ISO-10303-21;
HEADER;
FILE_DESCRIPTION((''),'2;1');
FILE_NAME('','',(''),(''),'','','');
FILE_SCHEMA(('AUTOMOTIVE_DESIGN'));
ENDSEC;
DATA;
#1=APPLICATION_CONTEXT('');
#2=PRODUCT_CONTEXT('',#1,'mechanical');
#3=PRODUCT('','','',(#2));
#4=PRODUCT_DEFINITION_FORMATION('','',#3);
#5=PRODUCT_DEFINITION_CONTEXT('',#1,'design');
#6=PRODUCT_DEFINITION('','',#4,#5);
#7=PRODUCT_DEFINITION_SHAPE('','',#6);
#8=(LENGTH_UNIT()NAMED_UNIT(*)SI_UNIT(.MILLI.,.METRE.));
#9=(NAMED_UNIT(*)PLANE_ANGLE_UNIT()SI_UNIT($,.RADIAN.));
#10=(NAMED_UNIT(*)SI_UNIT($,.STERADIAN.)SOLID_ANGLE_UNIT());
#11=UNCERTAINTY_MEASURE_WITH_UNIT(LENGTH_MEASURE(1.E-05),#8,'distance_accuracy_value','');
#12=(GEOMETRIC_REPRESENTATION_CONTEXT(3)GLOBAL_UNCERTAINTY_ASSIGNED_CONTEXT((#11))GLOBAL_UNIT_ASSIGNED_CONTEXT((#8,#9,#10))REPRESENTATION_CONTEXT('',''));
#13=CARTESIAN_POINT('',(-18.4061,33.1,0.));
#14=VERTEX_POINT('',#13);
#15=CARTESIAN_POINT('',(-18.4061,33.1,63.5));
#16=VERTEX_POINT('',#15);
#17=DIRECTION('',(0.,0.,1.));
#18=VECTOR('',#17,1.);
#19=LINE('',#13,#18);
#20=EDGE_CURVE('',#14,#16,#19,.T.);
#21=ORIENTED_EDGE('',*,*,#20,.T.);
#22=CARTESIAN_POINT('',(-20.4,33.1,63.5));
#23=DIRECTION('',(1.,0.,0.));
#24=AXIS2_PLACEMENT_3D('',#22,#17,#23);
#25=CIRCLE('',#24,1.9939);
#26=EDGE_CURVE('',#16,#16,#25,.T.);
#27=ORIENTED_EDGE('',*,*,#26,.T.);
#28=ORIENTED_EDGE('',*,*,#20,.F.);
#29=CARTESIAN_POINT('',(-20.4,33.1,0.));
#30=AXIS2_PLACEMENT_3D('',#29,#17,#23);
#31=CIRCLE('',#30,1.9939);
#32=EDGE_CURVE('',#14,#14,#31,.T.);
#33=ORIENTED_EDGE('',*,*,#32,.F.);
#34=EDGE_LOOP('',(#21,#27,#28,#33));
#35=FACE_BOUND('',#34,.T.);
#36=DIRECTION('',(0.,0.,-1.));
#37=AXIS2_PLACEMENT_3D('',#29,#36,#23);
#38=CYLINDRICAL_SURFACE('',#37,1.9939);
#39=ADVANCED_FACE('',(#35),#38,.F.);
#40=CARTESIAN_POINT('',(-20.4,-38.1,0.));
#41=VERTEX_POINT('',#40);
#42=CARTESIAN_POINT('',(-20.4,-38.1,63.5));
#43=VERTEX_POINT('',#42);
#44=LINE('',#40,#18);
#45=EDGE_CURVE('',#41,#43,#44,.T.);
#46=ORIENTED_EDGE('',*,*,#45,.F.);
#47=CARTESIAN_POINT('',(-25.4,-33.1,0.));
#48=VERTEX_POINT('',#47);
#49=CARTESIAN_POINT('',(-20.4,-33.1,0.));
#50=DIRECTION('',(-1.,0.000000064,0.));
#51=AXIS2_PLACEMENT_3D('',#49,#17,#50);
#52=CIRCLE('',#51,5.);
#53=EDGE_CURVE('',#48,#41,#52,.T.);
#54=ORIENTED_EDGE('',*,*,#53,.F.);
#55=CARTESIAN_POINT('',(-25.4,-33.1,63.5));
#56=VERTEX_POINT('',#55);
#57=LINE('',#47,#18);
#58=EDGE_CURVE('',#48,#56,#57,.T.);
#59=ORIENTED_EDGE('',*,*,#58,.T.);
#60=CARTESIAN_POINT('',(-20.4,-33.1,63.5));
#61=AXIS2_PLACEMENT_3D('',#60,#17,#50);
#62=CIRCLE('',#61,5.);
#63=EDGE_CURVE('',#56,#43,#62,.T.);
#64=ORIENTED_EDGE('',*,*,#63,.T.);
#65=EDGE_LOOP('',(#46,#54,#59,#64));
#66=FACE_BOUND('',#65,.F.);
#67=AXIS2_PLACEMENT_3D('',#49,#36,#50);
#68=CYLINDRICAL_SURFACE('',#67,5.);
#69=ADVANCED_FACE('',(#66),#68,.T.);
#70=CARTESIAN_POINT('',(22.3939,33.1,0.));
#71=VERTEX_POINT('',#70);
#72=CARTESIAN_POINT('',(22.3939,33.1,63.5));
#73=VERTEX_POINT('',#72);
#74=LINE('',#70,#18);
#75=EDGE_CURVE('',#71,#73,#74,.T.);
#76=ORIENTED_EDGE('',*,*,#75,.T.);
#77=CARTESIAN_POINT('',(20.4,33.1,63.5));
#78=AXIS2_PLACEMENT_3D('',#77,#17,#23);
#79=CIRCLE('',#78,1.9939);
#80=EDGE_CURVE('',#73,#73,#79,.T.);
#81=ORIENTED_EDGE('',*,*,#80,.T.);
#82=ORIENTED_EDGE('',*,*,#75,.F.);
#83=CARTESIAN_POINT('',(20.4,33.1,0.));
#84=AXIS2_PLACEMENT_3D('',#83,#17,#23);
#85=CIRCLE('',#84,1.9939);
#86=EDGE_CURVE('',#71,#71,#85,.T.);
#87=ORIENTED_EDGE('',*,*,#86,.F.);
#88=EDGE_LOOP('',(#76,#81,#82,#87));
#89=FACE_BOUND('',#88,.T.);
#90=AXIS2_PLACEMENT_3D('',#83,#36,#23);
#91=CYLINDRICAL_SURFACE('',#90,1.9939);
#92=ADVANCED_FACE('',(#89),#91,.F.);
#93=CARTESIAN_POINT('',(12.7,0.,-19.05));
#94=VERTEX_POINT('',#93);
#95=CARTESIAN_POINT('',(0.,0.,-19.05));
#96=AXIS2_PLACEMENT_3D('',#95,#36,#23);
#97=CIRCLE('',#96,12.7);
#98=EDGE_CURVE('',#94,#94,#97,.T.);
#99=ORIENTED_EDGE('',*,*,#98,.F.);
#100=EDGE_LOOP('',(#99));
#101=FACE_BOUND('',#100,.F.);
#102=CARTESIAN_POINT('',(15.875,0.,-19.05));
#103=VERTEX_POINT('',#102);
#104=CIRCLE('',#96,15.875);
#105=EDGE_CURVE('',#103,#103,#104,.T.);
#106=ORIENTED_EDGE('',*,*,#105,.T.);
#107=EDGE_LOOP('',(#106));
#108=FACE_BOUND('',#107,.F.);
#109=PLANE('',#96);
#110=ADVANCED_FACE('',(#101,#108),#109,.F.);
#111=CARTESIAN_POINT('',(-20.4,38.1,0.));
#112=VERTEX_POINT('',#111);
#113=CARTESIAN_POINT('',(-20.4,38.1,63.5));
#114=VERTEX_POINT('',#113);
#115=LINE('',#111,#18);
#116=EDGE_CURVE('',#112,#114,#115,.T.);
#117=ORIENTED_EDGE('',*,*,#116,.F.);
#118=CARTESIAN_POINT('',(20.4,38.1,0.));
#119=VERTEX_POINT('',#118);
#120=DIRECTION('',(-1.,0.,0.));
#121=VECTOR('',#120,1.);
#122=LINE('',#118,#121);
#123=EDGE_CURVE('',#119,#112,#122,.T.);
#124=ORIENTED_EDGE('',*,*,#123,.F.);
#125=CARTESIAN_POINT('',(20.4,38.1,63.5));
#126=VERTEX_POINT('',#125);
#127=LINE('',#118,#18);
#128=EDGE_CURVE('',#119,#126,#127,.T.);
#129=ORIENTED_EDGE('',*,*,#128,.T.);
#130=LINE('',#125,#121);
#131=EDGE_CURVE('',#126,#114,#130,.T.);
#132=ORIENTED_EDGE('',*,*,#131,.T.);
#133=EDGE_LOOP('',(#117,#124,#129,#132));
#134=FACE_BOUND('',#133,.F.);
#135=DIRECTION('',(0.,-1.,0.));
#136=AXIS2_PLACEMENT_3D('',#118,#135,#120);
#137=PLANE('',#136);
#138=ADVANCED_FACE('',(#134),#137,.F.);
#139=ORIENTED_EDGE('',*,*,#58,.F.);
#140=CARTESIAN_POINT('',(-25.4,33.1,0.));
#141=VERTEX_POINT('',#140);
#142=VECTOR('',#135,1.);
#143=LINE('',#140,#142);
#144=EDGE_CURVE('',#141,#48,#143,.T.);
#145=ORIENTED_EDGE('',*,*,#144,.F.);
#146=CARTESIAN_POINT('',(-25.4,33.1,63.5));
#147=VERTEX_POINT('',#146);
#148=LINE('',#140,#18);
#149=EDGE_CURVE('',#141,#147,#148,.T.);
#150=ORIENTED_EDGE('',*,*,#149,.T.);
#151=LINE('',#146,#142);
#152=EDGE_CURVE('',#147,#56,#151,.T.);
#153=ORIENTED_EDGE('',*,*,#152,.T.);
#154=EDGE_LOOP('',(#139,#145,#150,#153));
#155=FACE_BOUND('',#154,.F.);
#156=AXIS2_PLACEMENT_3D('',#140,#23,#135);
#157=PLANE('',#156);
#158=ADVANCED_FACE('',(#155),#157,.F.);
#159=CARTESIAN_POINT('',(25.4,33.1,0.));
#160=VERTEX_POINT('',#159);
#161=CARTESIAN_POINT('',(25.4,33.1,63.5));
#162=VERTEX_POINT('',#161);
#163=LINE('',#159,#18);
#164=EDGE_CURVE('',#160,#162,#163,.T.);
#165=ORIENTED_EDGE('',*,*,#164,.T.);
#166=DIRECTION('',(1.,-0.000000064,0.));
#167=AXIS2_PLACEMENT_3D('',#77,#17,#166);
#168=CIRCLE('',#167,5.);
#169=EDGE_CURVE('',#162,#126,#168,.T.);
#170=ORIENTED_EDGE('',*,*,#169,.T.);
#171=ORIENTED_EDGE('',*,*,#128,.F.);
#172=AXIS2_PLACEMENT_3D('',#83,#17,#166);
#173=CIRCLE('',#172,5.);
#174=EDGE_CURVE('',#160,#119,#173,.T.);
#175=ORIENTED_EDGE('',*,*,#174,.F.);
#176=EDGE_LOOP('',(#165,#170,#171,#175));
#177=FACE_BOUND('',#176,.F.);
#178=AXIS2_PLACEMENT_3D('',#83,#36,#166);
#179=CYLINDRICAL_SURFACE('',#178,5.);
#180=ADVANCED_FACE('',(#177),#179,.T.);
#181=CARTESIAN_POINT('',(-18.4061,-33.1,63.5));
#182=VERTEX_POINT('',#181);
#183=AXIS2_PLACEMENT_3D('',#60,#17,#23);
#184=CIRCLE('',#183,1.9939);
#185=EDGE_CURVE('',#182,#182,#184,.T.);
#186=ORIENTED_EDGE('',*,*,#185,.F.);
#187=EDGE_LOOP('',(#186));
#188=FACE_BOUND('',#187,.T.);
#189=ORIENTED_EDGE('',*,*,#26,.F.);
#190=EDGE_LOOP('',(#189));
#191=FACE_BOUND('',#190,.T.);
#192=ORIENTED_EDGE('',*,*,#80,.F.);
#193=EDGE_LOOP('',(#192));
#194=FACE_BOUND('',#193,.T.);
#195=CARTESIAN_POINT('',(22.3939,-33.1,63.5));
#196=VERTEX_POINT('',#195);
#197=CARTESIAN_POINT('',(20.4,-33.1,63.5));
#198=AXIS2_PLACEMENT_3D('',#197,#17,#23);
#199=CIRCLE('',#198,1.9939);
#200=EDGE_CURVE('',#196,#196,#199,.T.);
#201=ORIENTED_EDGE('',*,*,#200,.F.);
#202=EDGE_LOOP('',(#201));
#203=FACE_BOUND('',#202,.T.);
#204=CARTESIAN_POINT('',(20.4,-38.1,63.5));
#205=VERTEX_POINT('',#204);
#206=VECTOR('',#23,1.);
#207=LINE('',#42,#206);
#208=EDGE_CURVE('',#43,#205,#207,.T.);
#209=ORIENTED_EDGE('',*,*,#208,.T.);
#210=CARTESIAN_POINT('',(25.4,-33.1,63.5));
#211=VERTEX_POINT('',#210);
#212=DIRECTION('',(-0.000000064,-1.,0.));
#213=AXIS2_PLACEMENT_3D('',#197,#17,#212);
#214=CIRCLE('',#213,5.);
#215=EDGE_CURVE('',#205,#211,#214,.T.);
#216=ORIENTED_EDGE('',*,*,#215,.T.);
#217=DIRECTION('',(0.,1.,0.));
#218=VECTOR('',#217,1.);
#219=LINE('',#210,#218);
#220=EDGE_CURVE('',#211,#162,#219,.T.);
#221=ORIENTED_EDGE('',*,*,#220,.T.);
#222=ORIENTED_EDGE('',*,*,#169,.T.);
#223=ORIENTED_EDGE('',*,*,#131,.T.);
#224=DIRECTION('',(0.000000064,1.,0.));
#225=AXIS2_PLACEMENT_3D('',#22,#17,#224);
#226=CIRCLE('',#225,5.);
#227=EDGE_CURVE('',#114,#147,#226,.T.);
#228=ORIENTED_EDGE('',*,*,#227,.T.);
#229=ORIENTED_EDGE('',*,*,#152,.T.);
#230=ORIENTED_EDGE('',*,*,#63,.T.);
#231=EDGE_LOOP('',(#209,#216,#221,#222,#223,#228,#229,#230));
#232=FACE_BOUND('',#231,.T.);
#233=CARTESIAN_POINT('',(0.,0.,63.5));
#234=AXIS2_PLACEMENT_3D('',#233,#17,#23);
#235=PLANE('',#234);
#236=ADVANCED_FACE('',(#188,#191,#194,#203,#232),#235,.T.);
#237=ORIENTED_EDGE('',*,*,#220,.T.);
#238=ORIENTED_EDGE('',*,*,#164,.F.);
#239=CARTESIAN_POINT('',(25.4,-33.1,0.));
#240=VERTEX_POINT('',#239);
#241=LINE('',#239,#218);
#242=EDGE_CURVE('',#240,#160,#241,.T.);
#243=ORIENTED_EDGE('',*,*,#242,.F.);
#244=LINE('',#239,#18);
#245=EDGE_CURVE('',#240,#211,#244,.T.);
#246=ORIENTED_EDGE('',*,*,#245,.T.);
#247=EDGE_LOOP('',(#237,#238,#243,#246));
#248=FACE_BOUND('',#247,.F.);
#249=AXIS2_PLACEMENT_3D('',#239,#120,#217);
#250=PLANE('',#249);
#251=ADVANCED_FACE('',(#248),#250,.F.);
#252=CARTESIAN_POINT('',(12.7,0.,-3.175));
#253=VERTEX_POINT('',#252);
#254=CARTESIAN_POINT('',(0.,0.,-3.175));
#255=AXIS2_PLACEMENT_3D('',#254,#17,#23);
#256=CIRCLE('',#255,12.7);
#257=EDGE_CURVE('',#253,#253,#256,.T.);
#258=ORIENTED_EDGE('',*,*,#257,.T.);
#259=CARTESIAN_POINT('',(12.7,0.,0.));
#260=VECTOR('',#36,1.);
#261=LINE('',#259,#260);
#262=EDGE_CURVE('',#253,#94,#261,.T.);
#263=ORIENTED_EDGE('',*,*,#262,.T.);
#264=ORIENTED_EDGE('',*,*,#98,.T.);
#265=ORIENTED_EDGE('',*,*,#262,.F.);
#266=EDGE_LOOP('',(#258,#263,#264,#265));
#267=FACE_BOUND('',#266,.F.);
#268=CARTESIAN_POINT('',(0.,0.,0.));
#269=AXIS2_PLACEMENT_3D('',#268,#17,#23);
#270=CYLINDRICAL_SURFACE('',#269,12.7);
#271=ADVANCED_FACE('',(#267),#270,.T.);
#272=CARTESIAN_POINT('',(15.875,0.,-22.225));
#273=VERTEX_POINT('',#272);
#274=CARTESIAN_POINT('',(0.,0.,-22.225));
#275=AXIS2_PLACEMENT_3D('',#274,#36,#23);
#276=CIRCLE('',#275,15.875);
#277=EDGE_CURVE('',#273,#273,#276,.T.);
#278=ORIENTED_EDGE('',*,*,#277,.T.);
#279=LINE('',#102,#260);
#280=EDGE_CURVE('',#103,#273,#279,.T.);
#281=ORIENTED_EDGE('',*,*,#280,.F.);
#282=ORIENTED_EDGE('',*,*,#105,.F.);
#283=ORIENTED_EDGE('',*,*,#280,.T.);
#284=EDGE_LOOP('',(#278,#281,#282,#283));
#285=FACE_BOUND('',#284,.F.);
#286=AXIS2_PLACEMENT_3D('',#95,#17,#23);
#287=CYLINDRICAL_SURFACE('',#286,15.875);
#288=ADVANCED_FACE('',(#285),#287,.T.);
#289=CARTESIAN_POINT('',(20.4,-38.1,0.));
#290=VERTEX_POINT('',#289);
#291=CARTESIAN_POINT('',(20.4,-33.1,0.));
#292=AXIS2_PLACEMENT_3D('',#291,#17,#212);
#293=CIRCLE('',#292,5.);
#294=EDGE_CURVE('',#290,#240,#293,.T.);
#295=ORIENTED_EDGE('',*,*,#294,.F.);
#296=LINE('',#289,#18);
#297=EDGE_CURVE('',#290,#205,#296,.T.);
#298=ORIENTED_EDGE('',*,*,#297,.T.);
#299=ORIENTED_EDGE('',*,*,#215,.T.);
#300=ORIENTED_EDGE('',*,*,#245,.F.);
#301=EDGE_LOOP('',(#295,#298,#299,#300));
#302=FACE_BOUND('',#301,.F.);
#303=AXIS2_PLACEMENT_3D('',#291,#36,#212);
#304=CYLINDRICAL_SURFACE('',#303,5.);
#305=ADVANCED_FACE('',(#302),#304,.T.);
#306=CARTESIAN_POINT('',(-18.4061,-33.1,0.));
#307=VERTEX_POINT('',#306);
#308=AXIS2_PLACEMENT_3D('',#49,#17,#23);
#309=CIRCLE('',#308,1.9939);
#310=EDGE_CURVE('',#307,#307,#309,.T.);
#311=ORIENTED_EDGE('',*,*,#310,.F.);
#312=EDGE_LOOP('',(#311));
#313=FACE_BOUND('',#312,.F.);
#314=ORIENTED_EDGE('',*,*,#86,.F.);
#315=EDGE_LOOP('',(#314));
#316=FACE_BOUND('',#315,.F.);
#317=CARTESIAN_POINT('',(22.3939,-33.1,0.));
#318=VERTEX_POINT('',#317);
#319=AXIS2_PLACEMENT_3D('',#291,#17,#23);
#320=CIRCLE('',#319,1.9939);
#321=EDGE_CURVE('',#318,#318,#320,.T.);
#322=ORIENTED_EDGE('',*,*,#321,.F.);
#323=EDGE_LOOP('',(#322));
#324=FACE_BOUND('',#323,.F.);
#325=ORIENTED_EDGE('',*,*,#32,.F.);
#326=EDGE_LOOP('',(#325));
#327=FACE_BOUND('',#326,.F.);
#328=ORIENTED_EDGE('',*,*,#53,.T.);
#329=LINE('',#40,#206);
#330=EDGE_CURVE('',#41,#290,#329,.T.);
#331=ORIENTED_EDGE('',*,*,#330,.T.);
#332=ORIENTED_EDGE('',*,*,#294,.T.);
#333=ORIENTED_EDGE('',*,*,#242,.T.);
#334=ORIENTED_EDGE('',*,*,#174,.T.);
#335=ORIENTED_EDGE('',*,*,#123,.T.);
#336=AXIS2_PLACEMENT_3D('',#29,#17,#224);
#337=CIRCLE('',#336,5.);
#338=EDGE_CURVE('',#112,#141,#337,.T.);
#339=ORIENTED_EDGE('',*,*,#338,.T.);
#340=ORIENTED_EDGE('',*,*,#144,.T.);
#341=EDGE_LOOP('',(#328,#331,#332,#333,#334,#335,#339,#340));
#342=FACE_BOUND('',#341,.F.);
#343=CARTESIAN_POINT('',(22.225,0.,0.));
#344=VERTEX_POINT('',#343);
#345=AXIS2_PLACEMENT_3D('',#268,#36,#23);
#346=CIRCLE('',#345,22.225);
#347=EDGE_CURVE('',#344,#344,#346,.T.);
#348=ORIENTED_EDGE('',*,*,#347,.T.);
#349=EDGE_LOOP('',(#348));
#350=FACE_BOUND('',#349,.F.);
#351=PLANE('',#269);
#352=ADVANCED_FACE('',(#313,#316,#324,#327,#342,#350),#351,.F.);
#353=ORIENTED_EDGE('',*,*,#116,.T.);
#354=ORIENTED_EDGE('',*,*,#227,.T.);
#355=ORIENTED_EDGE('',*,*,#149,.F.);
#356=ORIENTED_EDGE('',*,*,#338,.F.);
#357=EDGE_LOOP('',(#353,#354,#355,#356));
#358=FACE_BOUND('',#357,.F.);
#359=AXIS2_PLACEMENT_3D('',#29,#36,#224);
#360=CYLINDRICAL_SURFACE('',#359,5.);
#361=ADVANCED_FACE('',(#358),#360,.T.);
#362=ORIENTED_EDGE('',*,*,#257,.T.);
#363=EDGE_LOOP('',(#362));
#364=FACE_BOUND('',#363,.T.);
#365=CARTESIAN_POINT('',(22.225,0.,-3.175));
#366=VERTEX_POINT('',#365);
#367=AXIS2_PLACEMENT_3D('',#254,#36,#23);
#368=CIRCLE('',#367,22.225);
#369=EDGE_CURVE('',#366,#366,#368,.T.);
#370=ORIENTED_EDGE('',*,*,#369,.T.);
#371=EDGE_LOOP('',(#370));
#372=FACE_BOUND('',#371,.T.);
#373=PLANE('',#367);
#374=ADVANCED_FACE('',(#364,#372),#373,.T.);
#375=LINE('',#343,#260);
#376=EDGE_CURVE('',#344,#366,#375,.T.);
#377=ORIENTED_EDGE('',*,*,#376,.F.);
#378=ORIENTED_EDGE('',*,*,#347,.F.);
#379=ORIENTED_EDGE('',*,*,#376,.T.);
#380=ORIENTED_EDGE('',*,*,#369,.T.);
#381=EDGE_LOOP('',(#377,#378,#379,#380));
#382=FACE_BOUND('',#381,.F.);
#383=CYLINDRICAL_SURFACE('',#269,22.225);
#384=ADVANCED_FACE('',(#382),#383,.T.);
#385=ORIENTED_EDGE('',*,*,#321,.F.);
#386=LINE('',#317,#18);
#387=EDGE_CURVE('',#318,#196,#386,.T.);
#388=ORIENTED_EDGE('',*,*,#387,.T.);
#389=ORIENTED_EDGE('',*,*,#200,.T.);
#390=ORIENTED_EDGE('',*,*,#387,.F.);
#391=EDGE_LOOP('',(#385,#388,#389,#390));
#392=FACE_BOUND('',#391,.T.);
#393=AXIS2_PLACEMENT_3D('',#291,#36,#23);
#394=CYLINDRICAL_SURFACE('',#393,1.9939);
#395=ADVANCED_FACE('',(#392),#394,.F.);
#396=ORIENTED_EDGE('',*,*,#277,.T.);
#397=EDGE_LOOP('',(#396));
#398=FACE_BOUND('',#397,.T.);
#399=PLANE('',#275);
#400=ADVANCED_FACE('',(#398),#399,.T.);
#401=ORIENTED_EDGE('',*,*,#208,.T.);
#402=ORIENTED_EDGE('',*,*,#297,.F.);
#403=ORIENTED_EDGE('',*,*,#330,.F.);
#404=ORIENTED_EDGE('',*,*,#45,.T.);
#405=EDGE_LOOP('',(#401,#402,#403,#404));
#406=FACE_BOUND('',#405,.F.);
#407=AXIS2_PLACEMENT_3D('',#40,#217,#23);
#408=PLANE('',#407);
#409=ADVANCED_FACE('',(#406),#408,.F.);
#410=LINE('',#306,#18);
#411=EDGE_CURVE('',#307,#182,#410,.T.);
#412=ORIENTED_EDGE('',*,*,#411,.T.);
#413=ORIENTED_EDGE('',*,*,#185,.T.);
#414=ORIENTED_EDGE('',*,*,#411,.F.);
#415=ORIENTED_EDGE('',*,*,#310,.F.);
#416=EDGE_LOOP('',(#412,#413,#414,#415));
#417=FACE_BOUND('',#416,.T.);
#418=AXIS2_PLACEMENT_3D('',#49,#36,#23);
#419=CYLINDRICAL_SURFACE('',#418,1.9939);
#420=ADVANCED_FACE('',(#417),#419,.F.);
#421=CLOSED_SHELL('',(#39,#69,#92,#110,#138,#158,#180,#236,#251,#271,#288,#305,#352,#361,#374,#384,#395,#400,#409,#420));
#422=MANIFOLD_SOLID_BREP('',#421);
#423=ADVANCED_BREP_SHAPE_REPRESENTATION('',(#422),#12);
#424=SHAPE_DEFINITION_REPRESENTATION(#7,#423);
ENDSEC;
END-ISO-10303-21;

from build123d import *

# Parameters (mm, degrees)
F0_R     = 1.9939
F1_DEPTH = 63.5
F2_R     = 12.7
F3_DEPTH = 19.05
F4_R     = 22.225
F5_DEPTH = 3.175
F6_R     = 15.875
F7_DEPTH = 3.175


with BuildPart() as f1:
    # F0 (on Top) → F1 (new body)
    with BuildSketch(Plane.XY):
        with BuildLine():
            ThreePointArc((-25.4, -33.1), (-23.935534, -36.635534), (-20.4, -38.1))
            Line((-20.4, -38.1), (20.4, -38.1))
            ThreePointArc((20.4, -38.1), (23.935534, -36.635534), (25.4, -33.1))
            Line((25.4, -33.1), (25.4, 33.1))
            ThreePointArc((25.4, 33.1), (23.935534, 36.635534), (20.4, 38.1))
            Line((20.4, 38.1), (-20.4, 38.1))
            ThreePointArc((-20.4, 38.1), (-23.935534, 36.635534), (-25.4, 33.1))
            Line((-25.4, 33.1), (-25.4, -33.1))
        make_face()
        with Locations((-20.4, -33.1)):
            Circle(F0_R, mode=Mode.SUBTRACT)
        with Locations((20.4, -33.1)):
            Circle(F0_R, mode=Mode.SUBTRACT)
        with Locations((-20.4, 33.1)):
            Circle(F0_R, mode=Mode.SUBTRACT)
        with Locations((20.4, 33.1)):
            Circle(F0_R, mode=Mode.SUBTRACT)
    extrude(amount=F1_DEPTH)

    # F2 (on face) → F3 (join)
    with BuildSketch(Plane(origin=(0, 0, 0), x_dir=(1, 0, 0), z_dir=(0, 0, -1))):
        Circle(F2_R)
    extrude(amount=F3_DEPTH)

    # F4 (on face) → F5 (join)
    with BuildSketch(Plane(origin=(0, 0, 0), x_dir=(1, 0, 0), z_dir=(0, 0, -1))):
        Circle(F4_R)
    extrude(amount=F5_DEPTH)

    # F6 (on face) → F7 (join)
    with BuildSketch(Plane(origin=(0, 0, -19.05), x_dir=(1, 0, 0), z_dir=(0, 0, -1))):
        Circle(F6_R)
    extrude(amount=F7_DEPTH)


solid = f1.part
